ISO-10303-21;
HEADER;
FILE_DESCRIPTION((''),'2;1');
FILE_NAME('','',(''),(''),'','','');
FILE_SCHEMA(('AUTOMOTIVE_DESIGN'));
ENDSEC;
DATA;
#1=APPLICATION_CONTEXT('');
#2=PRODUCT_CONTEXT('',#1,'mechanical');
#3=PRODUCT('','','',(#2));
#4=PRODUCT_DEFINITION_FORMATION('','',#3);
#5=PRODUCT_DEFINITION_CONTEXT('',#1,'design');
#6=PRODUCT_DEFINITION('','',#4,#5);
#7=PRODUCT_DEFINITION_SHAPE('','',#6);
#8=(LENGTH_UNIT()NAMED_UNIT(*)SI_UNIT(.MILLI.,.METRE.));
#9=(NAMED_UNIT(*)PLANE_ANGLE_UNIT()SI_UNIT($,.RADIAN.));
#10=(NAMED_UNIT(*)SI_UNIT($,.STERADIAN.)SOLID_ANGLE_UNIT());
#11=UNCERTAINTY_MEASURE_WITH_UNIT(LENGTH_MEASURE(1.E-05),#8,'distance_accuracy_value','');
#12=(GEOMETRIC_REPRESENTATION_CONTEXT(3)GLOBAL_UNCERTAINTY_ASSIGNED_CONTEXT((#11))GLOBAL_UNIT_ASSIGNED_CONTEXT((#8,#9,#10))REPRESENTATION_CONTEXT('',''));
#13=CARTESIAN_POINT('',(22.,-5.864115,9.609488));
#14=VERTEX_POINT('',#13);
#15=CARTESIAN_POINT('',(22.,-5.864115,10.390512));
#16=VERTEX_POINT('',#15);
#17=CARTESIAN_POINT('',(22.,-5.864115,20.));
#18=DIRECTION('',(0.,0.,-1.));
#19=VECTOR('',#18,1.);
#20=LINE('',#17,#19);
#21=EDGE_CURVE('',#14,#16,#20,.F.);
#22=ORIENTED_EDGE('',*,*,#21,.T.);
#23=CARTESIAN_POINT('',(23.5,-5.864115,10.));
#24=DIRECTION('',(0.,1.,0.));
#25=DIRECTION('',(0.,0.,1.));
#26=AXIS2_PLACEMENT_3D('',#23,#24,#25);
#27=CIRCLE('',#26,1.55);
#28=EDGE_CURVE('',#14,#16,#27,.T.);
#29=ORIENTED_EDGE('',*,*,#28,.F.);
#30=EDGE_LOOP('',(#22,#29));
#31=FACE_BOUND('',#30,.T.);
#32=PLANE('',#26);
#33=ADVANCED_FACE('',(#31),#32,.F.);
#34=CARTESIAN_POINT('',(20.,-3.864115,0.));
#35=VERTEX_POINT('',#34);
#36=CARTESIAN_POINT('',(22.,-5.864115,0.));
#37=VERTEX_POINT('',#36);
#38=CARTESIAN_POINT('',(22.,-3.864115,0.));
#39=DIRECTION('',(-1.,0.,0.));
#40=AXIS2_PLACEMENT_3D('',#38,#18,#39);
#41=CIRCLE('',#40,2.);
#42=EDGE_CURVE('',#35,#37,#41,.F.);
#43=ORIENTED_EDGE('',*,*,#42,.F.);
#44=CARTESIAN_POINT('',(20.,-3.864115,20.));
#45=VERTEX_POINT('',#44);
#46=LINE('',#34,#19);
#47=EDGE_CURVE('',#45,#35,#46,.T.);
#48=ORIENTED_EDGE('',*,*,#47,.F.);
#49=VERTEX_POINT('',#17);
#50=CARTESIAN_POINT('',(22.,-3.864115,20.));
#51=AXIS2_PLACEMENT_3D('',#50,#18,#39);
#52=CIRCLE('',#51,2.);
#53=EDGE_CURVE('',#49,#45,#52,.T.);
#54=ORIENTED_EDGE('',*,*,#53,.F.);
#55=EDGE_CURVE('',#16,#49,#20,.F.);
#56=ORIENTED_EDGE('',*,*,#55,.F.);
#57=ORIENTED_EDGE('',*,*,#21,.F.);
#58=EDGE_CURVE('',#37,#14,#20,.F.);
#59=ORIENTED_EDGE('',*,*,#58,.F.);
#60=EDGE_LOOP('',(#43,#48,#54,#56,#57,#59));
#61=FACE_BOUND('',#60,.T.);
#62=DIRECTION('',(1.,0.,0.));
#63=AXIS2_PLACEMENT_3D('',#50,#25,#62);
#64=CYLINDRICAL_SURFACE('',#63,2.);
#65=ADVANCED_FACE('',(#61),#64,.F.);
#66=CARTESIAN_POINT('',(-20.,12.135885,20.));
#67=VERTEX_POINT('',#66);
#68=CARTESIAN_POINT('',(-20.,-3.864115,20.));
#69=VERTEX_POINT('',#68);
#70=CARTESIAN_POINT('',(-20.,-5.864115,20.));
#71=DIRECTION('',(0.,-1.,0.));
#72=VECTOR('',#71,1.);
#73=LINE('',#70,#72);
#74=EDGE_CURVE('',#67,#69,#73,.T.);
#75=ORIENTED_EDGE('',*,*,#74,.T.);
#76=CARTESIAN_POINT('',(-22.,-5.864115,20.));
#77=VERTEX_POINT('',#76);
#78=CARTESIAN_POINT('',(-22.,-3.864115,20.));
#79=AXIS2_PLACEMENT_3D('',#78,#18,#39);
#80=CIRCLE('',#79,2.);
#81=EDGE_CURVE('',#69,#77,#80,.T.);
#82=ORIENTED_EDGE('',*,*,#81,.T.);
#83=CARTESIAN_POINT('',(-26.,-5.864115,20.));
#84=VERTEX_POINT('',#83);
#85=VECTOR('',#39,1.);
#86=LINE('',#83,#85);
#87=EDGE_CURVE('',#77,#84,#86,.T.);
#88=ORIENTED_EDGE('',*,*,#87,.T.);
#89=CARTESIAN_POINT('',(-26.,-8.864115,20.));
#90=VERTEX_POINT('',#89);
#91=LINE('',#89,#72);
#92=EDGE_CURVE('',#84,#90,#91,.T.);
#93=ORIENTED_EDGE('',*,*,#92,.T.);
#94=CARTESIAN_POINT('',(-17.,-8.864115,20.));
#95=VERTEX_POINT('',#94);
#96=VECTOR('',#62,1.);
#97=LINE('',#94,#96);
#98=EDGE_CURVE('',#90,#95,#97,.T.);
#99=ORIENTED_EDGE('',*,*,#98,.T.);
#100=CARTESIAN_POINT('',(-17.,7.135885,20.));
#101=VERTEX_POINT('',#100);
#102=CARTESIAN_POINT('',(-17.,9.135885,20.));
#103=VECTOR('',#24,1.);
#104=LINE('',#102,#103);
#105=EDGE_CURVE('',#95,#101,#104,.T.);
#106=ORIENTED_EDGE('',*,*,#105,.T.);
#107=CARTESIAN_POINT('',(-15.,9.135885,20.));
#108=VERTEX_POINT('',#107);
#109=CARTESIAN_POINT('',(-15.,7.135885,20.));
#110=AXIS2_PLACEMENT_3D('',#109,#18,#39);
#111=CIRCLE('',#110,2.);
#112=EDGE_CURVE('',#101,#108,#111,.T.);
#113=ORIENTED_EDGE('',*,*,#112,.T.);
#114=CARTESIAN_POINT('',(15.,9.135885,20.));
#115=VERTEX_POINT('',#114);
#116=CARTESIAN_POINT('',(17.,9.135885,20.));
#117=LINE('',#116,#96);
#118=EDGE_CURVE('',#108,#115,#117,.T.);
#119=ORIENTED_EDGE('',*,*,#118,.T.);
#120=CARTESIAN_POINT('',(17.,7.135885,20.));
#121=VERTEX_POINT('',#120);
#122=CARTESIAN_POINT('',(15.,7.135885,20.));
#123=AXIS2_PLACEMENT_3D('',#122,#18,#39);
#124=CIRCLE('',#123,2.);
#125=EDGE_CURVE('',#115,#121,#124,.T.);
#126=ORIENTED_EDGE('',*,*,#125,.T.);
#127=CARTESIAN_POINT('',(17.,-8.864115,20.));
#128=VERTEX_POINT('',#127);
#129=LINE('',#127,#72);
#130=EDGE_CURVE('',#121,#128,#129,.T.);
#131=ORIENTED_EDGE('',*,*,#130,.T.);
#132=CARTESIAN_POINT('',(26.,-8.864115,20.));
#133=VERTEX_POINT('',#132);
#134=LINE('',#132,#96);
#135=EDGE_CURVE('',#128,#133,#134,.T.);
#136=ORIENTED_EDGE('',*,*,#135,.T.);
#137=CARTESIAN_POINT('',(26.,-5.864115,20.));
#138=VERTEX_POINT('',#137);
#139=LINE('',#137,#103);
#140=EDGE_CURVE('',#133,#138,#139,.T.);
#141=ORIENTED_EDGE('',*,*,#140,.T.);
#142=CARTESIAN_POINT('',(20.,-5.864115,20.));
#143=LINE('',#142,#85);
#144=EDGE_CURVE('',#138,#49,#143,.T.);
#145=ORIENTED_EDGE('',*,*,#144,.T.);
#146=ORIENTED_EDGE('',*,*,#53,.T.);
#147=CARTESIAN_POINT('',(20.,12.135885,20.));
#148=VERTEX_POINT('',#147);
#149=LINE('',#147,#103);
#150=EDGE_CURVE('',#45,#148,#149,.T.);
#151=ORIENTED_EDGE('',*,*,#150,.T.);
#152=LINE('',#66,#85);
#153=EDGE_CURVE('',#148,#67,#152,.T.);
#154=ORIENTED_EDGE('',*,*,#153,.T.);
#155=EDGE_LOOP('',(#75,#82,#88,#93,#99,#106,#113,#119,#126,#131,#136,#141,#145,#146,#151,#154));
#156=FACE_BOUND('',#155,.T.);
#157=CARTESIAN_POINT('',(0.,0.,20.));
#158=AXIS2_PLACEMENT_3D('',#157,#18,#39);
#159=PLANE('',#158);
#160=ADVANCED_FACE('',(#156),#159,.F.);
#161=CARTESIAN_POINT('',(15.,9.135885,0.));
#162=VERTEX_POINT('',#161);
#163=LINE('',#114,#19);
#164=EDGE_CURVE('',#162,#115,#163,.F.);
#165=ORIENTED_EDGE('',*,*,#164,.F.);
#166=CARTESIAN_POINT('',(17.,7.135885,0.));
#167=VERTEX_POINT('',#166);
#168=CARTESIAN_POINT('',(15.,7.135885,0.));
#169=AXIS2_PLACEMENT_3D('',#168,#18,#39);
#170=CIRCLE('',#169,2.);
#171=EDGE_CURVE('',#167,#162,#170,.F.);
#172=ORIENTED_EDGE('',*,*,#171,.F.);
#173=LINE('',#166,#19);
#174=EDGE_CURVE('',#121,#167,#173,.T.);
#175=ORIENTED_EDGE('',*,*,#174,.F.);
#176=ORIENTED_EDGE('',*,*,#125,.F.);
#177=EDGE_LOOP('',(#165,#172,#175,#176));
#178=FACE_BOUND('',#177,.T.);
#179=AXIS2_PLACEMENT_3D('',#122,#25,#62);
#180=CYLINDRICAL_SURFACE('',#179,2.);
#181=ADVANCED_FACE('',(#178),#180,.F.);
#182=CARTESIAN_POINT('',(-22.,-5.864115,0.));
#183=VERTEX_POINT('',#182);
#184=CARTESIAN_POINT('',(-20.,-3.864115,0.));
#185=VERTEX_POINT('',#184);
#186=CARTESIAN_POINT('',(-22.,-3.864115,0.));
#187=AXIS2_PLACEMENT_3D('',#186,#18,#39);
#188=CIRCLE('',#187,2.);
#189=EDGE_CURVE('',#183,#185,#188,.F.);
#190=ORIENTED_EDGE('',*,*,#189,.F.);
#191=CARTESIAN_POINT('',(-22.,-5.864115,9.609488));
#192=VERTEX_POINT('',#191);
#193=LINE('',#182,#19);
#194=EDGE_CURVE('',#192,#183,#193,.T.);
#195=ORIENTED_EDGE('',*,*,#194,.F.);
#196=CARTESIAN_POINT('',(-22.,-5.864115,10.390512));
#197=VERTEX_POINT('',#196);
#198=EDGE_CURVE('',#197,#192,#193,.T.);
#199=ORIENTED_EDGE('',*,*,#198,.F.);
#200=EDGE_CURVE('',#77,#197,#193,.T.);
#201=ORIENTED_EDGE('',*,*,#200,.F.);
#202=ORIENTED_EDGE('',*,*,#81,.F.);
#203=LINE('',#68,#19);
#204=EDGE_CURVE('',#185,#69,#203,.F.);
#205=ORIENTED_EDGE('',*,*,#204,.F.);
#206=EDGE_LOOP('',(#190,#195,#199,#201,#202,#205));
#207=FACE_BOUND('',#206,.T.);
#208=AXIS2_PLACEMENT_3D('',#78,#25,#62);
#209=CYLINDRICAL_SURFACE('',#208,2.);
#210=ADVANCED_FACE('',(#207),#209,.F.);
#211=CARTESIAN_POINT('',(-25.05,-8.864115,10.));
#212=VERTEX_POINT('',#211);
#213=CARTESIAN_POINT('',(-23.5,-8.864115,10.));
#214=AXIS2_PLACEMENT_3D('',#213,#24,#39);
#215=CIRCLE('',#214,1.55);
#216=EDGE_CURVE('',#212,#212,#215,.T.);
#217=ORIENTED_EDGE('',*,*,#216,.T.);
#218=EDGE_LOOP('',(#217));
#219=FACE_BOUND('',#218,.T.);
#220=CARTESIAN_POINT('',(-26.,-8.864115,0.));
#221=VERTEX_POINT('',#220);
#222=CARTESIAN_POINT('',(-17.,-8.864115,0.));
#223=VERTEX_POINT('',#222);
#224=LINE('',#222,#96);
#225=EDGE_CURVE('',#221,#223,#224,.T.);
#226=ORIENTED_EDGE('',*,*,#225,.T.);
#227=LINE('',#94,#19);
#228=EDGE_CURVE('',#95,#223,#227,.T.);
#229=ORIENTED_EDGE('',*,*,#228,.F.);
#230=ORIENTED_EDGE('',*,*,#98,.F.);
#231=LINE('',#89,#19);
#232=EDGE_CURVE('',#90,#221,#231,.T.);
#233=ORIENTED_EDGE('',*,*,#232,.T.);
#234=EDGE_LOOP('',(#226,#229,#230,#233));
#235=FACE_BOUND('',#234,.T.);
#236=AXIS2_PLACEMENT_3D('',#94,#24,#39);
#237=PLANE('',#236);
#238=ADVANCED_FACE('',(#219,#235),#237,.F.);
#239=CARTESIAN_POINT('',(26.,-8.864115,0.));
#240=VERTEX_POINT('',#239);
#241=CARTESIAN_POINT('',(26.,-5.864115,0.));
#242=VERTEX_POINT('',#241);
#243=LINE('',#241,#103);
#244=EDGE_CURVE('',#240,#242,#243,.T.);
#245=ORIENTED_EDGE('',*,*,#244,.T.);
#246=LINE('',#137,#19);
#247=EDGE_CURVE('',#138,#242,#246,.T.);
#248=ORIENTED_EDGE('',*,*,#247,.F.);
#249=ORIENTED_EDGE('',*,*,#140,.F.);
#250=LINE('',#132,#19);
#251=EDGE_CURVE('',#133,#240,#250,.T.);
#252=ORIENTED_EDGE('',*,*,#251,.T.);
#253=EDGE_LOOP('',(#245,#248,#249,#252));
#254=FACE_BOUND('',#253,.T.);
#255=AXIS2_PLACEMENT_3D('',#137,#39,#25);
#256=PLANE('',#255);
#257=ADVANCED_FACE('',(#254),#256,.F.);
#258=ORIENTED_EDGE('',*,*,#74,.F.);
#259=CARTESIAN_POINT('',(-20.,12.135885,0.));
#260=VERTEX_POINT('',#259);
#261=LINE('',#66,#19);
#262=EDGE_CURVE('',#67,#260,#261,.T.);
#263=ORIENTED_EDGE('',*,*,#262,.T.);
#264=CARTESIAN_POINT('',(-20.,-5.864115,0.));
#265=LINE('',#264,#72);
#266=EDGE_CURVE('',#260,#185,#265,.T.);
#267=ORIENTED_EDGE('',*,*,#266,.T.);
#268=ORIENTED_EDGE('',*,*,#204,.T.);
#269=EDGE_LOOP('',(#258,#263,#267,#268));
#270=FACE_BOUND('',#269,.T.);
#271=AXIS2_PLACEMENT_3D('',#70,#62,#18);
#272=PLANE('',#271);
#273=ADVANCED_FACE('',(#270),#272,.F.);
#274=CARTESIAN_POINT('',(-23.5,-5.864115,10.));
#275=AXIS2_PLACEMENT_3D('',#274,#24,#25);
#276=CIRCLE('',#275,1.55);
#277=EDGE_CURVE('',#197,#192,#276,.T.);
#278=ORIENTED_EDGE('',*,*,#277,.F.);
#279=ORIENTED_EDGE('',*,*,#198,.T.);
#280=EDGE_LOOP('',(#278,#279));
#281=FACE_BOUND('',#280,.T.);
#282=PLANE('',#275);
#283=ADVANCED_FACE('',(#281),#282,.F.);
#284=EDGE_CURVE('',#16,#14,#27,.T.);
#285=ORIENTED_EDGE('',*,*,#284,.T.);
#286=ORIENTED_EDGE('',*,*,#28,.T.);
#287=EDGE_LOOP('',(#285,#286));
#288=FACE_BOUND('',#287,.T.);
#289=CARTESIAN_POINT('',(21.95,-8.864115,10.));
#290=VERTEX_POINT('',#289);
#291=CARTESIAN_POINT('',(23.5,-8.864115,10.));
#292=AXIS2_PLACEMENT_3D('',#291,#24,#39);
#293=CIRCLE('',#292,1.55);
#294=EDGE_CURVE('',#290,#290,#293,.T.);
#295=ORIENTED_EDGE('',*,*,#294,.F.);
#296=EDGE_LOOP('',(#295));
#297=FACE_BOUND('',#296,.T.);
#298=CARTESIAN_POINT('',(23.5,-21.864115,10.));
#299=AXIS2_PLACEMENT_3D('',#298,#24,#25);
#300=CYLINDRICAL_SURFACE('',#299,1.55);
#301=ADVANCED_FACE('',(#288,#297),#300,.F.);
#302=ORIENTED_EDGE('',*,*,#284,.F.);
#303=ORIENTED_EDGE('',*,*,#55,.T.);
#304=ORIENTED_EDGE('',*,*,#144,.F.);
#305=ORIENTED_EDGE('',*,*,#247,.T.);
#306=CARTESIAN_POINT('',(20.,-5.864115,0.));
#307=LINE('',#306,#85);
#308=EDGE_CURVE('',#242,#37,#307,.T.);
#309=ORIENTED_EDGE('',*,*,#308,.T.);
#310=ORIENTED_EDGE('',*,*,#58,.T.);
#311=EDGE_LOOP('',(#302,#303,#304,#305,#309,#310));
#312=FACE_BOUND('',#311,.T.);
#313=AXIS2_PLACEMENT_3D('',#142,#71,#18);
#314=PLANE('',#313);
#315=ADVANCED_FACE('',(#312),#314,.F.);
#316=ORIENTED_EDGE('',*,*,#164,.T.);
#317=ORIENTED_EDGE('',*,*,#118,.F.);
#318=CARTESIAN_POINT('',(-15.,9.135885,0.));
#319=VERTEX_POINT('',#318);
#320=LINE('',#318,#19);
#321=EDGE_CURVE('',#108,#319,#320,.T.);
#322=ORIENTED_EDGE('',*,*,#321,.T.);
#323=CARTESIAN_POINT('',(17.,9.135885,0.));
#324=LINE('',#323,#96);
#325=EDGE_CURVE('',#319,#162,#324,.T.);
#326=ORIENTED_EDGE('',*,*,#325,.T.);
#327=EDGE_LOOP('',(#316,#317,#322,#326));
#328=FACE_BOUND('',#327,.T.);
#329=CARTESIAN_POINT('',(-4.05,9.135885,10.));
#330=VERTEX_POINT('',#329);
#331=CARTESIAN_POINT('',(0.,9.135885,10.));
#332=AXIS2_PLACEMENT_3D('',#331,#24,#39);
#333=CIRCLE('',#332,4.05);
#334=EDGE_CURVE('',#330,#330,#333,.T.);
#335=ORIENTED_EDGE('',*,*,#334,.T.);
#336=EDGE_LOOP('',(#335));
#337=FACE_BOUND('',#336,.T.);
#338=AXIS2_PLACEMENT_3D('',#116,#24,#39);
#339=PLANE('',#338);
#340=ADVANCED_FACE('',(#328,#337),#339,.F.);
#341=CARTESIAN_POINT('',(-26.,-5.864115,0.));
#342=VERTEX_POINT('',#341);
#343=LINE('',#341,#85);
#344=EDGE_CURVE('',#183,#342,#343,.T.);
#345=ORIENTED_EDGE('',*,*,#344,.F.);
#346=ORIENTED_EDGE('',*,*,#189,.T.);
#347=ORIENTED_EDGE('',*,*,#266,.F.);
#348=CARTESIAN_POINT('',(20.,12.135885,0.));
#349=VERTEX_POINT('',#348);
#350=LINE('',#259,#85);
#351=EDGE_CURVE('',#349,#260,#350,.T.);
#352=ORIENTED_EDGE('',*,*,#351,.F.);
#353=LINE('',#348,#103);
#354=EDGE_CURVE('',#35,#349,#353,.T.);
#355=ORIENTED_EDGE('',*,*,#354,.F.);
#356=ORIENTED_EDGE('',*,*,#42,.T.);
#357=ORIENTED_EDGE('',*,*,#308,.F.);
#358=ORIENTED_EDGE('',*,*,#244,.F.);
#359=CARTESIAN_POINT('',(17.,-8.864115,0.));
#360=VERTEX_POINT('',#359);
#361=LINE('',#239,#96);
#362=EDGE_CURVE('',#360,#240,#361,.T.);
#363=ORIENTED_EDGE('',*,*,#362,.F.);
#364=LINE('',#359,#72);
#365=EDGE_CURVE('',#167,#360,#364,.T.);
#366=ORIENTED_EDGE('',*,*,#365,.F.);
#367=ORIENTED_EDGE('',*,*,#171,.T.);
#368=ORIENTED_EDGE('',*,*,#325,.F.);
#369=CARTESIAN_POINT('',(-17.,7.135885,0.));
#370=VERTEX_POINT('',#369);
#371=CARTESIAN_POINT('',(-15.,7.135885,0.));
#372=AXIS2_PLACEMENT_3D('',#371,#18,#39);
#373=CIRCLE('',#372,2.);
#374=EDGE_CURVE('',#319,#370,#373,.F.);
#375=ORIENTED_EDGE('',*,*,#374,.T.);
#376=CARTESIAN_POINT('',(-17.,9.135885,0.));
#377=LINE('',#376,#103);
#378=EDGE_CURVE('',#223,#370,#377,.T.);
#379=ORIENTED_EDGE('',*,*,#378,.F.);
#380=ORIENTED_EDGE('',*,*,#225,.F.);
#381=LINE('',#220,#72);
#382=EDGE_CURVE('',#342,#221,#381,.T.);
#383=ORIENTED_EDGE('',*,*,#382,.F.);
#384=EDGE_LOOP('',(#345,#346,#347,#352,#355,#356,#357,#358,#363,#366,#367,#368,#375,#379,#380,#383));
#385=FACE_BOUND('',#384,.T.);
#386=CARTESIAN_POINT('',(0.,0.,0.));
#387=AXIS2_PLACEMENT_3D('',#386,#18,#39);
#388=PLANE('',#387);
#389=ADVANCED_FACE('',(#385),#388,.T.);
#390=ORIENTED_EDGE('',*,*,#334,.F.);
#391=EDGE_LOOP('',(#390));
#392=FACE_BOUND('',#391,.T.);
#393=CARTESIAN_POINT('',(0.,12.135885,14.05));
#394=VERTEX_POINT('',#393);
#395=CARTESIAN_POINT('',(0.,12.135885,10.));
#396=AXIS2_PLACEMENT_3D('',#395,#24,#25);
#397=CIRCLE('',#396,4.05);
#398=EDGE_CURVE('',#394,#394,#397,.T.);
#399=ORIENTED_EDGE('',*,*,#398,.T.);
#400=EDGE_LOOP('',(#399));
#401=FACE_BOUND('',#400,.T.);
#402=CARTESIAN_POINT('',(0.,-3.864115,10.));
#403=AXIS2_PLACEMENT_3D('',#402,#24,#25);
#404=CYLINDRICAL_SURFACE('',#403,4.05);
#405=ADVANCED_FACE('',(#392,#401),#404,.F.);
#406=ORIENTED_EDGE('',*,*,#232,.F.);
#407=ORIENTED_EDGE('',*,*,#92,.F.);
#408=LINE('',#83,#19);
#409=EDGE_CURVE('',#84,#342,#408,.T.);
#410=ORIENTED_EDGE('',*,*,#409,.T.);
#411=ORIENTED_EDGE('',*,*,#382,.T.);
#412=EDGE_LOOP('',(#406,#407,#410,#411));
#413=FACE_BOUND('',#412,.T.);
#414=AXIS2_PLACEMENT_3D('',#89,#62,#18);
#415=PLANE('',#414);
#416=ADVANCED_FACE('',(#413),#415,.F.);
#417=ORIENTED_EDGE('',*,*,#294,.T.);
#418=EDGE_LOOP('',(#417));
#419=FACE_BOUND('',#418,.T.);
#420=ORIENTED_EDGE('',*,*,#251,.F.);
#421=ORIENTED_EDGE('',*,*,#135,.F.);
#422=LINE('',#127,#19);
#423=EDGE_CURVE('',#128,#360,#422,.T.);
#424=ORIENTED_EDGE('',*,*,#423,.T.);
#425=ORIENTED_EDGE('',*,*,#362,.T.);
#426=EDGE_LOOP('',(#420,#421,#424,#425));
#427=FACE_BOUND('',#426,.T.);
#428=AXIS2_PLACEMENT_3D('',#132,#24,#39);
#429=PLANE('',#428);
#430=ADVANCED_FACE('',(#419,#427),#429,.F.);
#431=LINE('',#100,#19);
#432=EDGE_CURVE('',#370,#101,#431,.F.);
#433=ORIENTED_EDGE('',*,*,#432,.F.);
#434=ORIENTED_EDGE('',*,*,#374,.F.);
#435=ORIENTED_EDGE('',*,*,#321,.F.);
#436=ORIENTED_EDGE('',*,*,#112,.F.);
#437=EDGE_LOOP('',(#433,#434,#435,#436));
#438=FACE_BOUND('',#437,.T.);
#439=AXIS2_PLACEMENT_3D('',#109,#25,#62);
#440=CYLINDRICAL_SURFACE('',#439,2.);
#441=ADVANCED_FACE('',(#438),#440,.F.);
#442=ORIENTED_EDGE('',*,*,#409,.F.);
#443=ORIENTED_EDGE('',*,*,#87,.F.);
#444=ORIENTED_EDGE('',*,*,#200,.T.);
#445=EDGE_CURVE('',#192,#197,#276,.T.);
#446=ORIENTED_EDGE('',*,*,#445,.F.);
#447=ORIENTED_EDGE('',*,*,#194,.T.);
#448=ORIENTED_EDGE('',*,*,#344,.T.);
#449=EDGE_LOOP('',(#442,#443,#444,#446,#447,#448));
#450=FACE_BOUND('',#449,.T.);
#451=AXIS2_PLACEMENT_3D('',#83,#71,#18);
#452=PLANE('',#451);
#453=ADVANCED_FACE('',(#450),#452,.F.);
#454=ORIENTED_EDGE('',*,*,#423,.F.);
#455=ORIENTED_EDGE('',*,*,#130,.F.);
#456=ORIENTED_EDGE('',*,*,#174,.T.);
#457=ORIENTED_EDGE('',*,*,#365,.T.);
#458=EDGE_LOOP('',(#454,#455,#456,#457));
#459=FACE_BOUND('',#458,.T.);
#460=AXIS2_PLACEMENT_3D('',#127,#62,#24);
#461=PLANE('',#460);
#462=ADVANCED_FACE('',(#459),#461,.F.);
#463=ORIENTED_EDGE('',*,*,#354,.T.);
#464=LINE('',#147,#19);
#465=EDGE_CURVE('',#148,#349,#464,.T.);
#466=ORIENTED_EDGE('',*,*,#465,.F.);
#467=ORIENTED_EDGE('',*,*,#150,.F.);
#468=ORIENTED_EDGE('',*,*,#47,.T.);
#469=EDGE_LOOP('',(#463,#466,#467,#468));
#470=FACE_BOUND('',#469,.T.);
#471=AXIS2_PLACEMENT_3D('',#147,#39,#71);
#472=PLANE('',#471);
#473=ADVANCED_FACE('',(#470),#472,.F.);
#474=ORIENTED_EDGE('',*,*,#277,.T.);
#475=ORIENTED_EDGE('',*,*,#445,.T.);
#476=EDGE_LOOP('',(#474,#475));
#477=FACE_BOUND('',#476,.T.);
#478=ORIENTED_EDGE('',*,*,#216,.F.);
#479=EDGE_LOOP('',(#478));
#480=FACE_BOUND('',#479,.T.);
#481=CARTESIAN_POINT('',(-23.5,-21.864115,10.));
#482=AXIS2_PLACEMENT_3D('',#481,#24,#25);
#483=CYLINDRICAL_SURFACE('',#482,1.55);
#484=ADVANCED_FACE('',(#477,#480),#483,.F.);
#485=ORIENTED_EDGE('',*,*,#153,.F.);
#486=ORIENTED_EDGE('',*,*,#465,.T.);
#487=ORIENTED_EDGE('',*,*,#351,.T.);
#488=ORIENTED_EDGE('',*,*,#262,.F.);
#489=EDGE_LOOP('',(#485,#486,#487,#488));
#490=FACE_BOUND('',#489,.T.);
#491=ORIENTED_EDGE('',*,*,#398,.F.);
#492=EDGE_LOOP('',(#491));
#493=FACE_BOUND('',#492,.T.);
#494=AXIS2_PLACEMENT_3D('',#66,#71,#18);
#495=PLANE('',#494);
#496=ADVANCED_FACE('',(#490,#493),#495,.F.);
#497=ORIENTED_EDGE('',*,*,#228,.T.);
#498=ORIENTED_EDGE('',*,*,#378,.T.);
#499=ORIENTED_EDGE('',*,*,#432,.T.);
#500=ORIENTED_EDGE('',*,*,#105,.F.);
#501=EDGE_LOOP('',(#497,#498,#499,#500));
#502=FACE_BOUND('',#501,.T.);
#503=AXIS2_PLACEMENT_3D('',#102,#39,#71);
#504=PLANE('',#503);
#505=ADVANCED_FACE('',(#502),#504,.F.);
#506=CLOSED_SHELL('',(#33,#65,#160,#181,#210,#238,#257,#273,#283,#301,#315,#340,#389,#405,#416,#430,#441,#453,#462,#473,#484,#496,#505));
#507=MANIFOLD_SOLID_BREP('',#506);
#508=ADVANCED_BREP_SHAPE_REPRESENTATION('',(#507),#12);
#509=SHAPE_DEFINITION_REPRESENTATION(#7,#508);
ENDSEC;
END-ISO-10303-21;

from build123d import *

# Parameters (mm, degrees)
BOSS_EXTRUDE1_DEPTH = 20
SKETCH2_R           = 4.05
CUT_EXTRUDE1_DEPTH  = 16
FILLET1_R           = 2
SKETCH3_R           = 1.55
CUT_EXTRUDE2_DEPTH  = 16


with BuildPart() as part:
    # Sketch1 → Boss-Extrude1 (new body)
    with BuildSketch(Plane.XY):
        Polygon((-17, -8.864115169), (-26, -8.864115169), (-26, -5.864115169), (-20, -5.864115169), (-20, 12.135884831), (20, 12.135884831), (20, -5.864115169), (26, -5.864115169), (26, -8.864115169), (17, -8.864115169), (17, 9.135884831), (-17, 9.135884831), align=None)
    extrude(amount=BOSS_EXTRUDE1_DEPTH)

    # Sketch2 → Cut-Extrude1 (cut)
    with BuildSketch(Plane(origin=(0, 12.135884831, 0), x_dir=(1, 0, 0), z_dir=(0, 1, 0))):
        with Locations(Location((0, -10, 0), (0, 0, 270))):
            Circle(SKETCH2_R)
    extrude(amount=-CUT_EXTRUDE1_DEPTH, mode=Mode.SUBTRACT)

    # Fillet1
    fillet1_edges = [part.edges().sort_by_distance(p)[0] for p in [
        (-20, -5.864115169, 10),
        (20, -5.864115169, 10),
        (17, 9.135884831, 10),
        (-17, 9.135884831, 10),
    ]]
    fillet(fillet1_edges, radius=FILLET1_R)

    # Sketch3 → Cut-Extrude2 (cut)
    with BuildSketch(Plane(origin=(0, -5.864115169, 0), x_dir=(1, 0, 0), z_dir=(0, 1, 0))):
        with Locations(Location((-23.5, -10, 0), (0, 0, 345.407449398))):
            Circle(SKETCH3_R)
        with Locations(Location((23.5, -10, 0), (0, 0, 194.592550602))):
            Circle(SKETCH3_R)
    extrude(amount=-CUT_EXTRUDE2_DEPTH, mode=Mode.SUBTRACT)


solid = part.part
